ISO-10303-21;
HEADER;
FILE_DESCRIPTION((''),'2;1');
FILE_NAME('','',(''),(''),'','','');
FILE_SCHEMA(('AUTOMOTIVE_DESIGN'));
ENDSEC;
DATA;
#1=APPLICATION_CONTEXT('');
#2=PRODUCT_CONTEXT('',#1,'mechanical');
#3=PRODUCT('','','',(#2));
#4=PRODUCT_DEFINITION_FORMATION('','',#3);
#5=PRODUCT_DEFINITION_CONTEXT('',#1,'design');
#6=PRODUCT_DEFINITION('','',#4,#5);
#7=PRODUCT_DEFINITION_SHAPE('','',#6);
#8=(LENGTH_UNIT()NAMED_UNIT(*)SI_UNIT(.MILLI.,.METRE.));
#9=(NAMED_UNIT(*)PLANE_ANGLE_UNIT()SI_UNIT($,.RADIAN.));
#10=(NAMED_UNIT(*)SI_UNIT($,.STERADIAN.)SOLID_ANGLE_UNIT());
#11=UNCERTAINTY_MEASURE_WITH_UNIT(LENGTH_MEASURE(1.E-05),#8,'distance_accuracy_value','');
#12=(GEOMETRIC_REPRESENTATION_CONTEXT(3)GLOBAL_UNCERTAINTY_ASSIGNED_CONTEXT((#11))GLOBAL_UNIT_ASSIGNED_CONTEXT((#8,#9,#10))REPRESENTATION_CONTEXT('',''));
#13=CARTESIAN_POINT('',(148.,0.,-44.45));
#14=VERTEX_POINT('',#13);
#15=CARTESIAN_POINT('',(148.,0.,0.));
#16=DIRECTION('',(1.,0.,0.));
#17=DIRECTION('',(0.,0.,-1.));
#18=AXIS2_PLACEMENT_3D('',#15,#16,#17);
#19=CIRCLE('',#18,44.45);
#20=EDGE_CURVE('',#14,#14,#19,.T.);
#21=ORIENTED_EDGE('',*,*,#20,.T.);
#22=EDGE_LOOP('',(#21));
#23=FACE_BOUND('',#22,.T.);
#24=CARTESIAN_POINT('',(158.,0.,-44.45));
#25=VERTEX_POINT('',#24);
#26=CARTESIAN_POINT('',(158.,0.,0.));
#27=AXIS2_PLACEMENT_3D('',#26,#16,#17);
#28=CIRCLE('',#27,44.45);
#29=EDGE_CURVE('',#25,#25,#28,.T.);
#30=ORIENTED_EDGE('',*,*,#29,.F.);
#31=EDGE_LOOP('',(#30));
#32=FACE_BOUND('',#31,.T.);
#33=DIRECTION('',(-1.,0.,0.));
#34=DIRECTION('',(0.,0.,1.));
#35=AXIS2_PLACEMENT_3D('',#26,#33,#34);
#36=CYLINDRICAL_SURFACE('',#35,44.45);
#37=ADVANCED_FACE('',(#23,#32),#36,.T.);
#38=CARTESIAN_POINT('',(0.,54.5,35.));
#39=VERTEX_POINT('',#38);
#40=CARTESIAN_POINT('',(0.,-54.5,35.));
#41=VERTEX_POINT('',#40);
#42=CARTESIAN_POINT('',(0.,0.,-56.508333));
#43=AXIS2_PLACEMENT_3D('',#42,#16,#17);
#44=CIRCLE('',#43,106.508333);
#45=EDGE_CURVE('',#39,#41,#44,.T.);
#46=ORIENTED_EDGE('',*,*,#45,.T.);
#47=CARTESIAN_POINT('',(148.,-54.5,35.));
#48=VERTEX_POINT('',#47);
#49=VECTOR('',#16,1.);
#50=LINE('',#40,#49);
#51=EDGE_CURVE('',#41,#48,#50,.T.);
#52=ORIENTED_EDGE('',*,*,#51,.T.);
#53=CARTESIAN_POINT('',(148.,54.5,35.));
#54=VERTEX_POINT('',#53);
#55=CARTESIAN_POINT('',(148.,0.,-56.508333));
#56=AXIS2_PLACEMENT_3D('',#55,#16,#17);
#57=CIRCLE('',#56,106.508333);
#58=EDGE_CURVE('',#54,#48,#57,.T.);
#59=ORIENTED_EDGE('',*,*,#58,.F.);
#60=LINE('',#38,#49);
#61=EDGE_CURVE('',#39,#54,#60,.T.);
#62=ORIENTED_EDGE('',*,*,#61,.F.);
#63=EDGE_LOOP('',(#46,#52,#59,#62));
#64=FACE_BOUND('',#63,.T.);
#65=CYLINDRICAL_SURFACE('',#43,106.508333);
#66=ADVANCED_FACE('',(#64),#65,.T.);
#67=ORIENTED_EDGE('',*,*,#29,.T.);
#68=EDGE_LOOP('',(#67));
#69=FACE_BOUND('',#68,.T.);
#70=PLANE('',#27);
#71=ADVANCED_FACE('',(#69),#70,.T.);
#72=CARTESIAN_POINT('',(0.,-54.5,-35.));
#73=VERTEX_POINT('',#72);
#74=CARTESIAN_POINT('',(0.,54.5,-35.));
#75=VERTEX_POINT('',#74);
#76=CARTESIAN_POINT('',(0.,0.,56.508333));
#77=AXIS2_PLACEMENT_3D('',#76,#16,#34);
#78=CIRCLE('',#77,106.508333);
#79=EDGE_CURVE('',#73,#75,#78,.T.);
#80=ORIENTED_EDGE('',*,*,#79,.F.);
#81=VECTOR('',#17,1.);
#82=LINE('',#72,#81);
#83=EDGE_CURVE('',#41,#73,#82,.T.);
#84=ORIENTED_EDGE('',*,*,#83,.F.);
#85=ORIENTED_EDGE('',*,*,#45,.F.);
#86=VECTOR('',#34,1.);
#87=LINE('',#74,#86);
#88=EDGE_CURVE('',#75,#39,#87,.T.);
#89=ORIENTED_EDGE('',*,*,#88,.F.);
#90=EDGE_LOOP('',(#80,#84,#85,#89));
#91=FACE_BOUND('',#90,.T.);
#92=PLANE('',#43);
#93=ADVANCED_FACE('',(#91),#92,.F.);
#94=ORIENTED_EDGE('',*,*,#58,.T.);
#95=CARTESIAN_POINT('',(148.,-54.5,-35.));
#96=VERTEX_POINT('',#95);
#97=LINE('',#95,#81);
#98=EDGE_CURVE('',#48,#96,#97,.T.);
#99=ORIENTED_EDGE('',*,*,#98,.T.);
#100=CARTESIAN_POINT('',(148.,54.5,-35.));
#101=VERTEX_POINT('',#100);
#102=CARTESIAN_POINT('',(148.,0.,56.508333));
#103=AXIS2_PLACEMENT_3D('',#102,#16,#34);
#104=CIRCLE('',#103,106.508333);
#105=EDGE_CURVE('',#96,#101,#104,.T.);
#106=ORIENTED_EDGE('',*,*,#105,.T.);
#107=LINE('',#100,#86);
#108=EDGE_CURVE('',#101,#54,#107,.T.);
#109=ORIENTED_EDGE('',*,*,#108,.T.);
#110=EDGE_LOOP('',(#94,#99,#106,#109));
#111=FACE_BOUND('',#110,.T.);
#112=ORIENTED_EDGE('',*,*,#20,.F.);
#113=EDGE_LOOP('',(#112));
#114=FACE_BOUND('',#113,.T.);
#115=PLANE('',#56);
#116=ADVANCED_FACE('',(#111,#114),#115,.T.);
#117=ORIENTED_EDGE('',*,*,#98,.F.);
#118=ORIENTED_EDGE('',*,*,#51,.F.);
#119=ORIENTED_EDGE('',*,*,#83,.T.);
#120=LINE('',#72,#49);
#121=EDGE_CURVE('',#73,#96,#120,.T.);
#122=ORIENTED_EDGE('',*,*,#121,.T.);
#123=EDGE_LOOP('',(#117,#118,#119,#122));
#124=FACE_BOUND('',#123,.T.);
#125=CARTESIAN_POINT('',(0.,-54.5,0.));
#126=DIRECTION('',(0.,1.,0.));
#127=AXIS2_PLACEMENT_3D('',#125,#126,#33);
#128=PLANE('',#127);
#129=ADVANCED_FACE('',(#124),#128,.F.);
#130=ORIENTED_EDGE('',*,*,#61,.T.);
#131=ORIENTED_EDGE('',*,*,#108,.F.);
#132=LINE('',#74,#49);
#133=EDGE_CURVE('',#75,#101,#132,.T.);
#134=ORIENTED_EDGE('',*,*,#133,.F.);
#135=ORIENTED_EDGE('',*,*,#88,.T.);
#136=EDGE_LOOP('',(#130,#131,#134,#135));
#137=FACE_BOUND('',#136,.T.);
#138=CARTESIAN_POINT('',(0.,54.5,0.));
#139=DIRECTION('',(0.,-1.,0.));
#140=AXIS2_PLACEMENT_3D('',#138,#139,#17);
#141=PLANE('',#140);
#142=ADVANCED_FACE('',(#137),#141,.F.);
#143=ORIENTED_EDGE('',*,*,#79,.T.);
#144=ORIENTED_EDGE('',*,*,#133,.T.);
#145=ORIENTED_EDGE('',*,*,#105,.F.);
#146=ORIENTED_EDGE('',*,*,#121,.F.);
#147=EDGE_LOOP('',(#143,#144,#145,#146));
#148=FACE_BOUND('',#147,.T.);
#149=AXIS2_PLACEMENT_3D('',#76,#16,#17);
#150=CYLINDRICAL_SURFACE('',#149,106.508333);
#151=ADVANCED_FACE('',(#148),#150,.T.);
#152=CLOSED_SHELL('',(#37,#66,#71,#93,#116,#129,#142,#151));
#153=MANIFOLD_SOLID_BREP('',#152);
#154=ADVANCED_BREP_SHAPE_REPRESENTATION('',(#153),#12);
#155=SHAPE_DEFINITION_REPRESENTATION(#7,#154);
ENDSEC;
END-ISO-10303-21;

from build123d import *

# Parameters (mm, degrees)
SKETCH6_R           = 44.45
BOSS_EXTRUDE3_DEPTH = 10


with BuildPart() as part:
    # Sketch1 for Loft3 → Loft3 section 0
    with BuildSketch(Plane(origin=(0, 0, 0), x_dir=(0, 0, 1), z_dir=(1, 0, 0))):
        with BuildLine():
            Line((-35, -54.5), (35, -54.5))
            # circular arc as an exact rational Bezier (weights 1, cos(half-angle), 1)
            Bezier((35, -54.5), (67.45879246, 0), (35, 54.5), weights=[1, 0.859165949, 1])
            Line((35, 54.5), (-35, 54.5))
            Bezier((-35, 54.5), (-67.45879246, 0), (-35, -54.5), weights=[1, 0.859165949, 1])
        make_face()
    # Sketch5 for Loft3 → Loft3 section 1
    with BuildSketch(Plane(origin=(148, 148, 0), x_dir=(0, -1, 0), z_dir=(1, 0, 0))):
        with BuildLine():
            Line((93.5, 35), (93.5, -35))
            Bezier((93.5, -35), (148, -67.45879246), (202.5, -35), weights=[1, 0.859165949, 1])
            Line((202.5, -35), (202.5, 35))
            Bezier((202.5, 35), (148, 67.45879246), (93.5, 35), weights=[1, 0.859165949, 1])
        make_face()
    loft()

    # Sketch6 → Boss-Extrude3 (add)
    with BuildSketch(Plane(origin=(148, 0, 0), x_dir=(0, 0, -1), z_dir=(1, 0, 0))):
        Circle(SKETCH6_R)
    extrude(amount=BOSS_EXTRUDE3_DEPTH)


solid = part.part
